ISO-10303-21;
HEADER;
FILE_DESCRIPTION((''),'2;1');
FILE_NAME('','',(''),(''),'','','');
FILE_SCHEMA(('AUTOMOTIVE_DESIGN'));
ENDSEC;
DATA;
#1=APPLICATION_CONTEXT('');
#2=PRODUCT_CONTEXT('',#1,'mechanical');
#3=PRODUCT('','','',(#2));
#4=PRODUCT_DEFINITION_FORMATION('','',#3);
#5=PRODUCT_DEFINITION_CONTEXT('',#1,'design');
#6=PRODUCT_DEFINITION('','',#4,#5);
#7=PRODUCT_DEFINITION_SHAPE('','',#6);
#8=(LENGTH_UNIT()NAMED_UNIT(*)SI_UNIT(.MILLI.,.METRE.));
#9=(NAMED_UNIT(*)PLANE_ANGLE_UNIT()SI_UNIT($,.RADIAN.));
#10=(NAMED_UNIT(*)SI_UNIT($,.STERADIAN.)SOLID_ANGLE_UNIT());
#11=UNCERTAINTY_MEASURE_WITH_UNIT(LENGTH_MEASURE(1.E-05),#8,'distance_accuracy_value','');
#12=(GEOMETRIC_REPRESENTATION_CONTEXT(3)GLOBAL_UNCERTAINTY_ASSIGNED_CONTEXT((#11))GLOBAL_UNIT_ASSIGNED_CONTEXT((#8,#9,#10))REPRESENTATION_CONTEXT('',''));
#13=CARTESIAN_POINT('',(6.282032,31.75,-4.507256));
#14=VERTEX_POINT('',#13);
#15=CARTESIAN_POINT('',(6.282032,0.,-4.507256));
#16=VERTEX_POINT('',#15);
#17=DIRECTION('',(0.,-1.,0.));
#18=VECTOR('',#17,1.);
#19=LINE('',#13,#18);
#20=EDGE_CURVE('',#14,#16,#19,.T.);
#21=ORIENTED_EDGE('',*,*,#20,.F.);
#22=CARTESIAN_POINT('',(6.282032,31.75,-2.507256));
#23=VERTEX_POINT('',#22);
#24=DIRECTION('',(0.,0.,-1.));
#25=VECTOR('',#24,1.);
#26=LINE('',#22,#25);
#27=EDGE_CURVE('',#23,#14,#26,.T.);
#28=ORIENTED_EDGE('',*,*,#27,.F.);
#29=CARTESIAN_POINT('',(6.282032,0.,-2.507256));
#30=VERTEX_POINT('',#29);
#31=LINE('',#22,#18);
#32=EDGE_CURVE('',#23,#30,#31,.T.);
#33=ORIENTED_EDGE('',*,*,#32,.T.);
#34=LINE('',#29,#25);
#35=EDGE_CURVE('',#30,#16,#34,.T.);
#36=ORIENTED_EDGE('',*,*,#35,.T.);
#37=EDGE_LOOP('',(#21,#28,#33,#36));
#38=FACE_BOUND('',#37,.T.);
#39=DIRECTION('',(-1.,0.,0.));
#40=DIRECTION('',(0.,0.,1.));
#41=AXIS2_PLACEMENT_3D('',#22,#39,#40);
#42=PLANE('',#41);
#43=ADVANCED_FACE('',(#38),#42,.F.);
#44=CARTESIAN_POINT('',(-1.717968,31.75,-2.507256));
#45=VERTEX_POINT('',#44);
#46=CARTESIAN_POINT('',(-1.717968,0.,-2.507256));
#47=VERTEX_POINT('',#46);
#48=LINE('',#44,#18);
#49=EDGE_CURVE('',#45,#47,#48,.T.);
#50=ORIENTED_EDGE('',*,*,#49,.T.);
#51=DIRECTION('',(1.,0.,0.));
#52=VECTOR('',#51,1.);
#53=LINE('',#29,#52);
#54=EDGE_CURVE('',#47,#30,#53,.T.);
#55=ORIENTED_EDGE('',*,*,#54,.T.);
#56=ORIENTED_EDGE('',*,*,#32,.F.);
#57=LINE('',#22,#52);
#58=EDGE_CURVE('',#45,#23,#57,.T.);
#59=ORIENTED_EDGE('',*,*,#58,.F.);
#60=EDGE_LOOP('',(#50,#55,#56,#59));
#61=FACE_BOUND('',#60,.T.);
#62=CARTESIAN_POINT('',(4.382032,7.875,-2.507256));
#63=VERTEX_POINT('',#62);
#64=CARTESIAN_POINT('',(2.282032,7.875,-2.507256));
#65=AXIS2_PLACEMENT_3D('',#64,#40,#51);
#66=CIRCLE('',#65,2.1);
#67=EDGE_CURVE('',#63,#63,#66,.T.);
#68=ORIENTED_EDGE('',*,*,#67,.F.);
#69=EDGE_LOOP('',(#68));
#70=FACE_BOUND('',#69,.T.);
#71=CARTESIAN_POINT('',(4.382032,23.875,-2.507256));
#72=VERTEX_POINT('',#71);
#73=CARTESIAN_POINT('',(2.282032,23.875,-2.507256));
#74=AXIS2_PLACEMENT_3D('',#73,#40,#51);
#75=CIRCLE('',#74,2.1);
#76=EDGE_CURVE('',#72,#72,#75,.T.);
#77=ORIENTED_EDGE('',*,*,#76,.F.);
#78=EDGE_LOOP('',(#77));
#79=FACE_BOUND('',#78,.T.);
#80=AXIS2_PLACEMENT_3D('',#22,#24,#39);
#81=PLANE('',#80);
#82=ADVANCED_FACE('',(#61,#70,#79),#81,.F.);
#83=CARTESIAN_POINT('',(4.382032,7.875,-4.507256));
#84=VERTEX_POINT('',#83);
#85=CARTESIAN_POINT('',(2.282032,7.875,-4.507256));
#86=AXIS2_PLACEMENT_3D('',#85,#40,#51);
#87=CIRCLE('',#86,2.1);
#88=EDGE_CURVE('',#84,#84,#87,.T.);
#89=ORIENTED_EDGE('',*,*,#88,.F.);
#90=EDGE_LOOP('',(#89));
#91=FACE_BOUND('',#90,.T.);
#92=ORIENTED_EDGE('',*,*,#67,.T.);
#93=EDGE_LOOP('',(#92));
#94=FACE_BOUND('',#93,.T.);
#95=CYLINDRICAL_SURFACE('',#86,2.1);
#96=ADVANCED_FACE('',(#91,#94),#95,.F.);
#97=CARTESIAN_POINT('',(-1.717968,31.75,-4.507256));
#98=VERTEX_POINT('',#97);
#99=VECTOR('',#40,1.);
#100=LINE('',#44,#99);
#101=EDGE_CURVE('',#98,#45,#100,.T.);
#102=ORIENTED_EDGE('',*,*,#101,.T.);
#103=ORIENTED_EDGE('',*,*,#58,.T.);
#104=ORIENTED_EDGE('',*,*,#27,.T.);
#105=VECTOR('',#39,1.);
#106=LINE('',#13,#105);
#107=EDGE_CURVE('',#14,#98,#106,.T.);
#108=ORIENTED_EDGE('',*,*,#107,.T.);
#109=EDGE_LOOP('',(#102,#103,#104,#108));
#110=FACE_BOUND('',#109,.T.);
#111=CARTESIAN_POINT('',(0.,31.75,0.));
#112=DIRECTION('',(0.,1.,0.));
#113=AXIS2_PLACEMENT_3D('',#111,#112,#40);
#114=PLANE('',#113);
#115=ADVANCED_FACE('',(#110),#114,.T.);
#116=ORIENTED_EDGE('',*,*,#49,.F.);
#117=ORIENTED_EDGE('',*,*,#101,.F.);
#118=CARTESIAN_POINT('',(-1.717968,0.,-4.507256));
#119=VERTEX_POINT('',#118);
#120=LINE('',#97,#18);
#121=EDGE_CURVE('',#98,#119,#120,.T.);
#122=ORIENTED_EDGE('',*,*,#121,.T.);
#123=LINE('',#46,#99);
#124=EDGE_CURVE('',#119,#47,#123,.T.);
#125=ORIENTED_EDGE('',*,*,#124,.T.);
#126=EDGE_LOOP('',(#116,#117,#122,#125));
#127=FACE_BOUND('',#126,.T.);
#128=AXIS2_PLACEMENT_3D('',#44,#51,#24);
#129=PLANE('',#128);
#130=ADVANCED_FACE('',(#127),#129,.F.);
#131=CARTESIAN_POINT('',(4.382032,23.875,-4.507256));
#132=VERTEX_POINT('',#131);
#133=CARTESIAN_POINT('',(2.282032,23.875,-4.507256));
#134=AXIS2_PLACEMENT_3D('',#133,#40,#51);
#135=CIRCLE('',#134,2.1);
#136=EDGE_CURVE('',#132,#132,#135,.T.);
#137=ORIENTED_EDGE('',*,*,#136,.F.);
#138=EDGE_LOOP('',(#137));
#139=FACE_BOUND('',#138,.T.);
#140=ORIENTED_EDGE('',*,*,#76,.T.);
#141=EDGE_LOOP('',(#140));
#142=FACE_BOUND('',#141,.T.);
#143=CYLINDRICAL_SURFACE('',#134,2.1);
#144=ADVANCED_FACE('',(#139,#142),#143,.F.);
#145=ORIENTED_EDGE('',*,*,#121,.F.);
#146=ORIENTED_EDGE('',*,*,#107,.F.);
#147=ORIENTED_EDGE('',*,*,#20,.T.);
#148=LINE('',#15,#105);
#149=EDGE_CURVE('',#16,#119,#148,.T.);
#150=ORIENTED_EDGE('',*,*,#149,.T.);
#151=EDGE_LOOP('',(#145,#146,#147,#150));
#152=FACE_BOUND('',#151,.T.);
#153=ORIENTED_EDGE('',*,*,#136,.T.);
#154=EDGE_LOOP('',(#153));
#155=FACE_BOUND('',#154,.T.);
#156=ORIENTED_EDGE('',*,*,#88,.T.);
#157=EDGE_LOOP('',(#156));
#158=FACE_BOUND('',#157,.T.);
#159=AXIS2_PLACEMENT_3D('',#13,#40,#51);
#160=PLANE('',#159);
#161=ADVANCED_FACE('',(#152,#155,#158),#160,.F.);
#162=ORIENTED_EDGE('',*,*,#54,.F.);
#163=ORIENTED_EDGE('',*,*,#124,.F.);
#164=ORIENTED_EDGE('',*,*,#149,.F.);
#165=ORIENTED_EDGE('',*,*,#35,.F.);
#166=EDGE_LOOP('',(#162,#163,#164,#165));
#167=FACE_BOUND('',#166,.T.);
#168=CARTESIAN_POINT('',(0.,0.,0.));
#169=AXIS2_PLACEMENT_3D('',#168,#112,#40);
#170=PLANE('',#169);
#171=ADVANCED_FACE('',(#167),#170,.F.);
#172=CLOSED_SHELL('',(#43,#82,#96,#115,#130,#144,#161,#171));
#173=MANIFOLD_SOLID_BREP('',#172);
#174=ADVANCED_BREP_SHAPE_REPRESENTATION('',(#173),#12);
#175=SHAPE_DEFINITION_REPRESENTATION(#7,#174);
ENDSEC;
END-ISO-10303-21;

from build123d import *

# Parameters (mm, degrees)
SKETCH3_W           = 8
SKETCH3_H           = 2
BOSS_EXTRUDE2_DEPTH = 31.75
SKETCH4_R           = 2.1
CUT_EXTRUDE1_DEPTH  = 3


with BuildPart() as part:
    # Sketch3 → Boss-Extrude2 (new body)
    with BuildSketch(Plane(origin=(0, 0, 0), x_dir=(1, 0, 0), z_dir=(0, 1, 0))):
        with Locations((2.282032354, 3.507256135)):
            Rectangle(SKETCH3_W, SKETCH3_H)
    extrude(amount=BOSS_EXTRUDE2_DEPTH)

    # Sketch4 → Cut-Extrude1 (cut, through all)
    with BuildSketch(Plane.XY.offset(-2.507256135)):
        with Locations((2.282032354, 7.875)):
            Circle(SKETCH4_R)
        with Locations((2.282032354, 23.875)):
            Circle(SKETCH4_R)
    extrude(amount=-CUT_EXTRUDE1_DEPTH, mode=Mode.SUBTRACT)


solid = part.part
